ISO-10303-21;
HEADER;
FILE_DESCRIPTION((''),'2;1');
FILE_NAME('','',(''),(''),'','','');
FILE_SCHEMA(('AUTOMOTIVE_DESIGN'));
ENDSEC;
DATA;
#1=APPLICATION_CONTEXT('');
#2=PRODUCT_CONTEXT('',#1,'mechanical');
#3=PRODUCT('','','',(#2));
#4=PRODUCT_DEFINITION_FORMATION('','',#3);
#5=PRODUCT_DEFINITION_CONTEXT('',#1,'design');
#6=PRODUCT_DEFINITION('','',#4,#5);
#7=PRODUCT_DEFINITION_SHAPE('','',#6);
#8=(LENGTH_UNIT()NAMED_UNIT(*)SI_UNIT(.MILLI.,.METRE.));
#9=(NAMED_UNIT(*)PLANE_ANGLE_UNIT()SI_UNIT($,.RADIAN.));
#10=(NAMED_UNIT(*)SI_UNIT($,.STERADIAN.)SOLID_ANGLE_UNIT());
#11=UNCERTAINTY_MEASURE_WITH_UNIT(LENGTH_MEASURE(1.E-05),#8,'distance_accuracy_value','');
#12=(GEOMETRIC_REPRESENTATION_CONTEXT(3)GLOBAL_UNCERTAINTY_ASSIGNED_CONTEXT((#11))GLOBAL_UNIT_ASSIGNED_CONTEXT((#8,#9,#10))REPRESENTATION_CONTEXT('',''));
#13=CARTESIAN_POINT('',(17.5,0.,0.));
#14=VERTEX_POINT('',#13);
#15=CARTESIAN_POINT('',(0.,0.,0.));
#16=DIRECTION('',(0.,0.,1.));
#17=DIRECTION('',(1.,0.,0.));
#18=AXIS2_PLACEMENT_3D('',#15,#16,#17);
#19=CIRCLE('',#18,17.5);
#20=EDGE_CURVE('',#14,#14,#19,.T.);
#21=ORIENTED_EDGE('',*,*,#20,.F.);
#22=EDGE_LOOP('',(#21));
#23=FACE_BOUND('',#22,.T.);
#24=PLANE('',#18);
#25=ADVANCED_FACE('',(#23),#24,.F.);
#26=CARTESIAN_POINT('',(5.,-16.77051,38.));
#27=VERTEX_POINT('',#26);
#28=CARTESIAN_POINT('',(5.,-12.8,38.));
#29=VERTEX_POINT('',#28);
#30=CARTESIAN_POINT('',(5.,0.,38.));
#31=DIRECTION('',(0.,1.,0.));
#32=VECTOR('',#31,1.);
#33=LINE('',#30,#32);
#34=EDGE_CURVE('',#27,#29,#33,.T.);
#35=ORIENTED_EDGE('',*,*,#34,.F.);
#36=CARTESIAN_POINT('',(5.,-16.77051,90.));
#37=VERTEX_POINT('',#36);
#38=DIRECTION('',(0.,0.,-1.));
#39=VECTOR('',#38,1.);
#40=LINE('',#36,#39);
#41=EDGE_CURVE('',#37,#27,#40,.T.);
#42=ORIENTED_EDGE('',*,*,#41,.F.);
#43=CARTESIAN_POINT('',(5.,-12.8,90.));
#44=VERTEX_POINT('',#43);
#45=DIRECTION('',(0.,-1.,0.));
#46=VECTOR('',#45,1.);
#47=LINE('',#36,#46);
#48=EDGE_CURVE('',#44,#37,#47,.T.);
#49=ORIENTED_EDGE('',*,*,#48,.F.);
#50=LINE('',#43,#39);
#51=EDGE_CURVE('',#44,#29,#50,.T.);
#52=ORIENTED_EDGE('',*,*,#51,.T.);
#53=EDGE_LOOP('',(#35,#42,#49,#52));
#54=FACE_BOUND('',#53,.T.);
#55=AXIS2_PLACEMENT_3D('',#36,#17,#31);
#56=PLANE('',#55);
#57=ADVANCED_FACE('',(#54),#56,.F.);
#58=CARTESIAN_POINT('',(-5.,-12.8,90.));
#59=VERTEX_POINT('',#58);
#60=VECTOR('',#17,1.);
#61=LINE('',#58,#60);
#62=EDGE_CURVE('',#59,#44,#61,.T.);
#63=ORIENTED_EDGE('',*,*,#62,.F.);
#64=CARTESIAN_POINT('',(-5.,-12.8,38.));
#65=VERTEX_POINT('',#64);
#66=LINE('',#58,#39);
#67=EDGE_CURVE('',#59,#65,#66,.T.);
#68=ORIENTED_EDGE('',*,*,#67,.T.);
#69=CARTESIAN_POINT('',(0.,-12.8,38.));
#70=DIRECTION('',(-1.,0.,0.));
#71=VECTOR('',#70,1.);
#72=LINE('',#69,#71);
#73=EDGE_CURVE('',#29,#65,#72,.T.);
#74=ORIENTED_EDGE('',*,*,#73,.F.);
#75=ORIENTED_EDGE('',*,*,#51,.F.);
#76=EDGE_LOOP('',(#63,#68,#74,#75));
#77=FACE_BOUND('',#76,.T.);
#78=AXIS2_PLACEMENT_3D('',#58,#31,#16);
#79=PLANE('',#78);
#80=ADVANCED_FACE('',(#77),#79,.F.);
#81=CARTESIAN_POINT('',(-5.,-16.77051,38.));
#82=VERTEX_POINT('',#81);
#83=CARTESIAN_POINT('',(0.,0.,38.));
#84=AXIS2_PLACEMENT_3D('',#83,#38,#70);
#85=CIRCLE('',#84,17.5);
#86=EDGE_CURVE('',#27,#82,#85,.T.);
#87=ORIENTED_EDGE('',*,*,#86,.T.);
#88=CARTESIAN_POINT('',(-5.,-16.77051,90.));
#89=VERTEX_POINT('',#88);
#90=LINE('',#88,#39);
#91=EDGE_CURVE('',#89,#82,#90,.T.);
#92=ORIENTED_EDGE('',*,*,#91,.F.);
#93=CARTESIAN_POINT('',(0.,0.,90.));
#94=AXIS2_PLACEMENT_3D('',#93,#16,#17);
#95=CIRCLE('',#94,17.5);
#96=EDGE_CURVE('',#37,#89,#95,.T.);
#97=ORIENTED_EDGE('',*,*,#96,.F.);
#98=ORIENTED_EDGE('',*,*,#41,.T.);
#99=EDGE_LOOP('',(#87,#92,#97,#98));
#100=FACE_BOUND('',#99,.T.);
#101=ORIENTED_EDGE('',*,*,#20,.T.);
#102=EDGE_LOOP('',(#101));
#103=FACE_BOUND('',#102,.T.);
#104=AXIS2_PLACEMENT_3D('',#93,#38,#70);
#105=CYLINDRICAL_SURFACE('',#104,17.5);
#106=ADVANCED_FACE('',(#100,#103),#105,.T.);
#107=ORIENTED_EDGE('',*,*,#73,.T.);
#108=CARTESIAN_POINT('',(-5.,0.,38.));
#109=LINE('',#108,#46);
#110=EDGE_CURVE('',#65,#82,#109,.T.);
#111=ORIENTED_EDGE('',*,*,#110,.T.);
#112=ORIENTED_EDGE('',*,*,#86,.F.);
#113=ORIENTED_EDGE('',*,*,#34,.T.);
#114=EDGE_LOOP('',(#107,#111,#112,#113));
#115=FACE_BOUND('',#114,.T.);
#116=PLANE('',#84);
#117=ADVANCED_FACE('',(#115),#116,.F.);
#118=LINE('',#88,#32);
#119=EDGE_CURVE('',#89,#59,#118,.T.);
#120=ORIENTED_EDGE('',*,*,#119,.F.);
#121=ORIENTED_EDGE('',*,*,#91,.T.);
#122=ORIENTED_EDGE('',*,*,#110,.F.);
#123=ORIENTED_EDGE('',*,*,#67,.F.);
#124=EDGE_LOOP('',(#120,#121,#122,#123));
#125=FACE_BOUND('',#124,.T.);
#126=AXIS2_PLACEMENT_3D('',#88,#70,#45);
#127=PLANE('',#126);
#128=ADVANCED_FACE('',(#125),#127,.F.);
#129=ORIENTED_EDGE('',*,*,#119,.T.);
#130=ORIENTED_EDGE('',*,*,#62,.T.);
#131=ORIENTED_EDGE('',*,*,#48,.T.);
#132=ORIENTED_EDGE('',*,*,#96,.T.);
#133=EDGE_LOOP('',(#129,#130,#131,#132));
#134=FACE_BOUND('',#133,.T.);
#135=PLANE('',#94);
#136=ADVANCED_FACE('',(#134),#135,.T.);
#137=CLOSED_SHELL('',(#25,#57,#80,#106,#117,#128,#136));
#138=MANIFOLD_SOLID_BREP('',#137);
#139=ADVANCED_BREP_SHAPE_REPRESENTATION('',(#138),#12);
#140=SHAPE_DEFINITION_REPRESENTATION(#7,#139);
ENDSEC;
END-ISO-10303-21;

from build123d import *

# Parameters (mm, degrees)
BOSS_EXTRUDE1_DEPTH = 90
BOSS_EXTRUDE2_DEPTH = 38


with BuildPart() as part:
    # Sketch1 → Boss-Extrude1 (new body)
    with BuildSketch(Plane.XY):
        with BuildLine():
            Line((-5, -16.770509831), (-5, -12.8))
            Line((-5, -12.8), (5, -12.8))
            Line((5, -12.8), (5, -16.770509831))
            ThreePointArc((5, -16.770509831), (0, 17.5), (-5, -16.770509831))
        make_face()
    extrude(amount=BOSS_EXTRUDE1_DEPTH)

    # Sketch2 → Boss-Extrude2 (add)
    with BuildSketch(Plane(origin=(0, 0, 0), x_dir=(-1, 0, 0), z_dir=(0, 0, -1))):
        with BuildLine():
            ThreePointArc((-5, -16.770509831), (0, -17.5), (5, -16.770509831))
            Line((5, -16.770509831), (5, -12.8))
            Line((5, -12.8), (-5, -12.8))
            Line((-5, -12.8), (-5, -16.770509831))
        make_face()
    extrude(amount=-BOSS_EXTRUDE2_DEPTH)


solid = part.part
